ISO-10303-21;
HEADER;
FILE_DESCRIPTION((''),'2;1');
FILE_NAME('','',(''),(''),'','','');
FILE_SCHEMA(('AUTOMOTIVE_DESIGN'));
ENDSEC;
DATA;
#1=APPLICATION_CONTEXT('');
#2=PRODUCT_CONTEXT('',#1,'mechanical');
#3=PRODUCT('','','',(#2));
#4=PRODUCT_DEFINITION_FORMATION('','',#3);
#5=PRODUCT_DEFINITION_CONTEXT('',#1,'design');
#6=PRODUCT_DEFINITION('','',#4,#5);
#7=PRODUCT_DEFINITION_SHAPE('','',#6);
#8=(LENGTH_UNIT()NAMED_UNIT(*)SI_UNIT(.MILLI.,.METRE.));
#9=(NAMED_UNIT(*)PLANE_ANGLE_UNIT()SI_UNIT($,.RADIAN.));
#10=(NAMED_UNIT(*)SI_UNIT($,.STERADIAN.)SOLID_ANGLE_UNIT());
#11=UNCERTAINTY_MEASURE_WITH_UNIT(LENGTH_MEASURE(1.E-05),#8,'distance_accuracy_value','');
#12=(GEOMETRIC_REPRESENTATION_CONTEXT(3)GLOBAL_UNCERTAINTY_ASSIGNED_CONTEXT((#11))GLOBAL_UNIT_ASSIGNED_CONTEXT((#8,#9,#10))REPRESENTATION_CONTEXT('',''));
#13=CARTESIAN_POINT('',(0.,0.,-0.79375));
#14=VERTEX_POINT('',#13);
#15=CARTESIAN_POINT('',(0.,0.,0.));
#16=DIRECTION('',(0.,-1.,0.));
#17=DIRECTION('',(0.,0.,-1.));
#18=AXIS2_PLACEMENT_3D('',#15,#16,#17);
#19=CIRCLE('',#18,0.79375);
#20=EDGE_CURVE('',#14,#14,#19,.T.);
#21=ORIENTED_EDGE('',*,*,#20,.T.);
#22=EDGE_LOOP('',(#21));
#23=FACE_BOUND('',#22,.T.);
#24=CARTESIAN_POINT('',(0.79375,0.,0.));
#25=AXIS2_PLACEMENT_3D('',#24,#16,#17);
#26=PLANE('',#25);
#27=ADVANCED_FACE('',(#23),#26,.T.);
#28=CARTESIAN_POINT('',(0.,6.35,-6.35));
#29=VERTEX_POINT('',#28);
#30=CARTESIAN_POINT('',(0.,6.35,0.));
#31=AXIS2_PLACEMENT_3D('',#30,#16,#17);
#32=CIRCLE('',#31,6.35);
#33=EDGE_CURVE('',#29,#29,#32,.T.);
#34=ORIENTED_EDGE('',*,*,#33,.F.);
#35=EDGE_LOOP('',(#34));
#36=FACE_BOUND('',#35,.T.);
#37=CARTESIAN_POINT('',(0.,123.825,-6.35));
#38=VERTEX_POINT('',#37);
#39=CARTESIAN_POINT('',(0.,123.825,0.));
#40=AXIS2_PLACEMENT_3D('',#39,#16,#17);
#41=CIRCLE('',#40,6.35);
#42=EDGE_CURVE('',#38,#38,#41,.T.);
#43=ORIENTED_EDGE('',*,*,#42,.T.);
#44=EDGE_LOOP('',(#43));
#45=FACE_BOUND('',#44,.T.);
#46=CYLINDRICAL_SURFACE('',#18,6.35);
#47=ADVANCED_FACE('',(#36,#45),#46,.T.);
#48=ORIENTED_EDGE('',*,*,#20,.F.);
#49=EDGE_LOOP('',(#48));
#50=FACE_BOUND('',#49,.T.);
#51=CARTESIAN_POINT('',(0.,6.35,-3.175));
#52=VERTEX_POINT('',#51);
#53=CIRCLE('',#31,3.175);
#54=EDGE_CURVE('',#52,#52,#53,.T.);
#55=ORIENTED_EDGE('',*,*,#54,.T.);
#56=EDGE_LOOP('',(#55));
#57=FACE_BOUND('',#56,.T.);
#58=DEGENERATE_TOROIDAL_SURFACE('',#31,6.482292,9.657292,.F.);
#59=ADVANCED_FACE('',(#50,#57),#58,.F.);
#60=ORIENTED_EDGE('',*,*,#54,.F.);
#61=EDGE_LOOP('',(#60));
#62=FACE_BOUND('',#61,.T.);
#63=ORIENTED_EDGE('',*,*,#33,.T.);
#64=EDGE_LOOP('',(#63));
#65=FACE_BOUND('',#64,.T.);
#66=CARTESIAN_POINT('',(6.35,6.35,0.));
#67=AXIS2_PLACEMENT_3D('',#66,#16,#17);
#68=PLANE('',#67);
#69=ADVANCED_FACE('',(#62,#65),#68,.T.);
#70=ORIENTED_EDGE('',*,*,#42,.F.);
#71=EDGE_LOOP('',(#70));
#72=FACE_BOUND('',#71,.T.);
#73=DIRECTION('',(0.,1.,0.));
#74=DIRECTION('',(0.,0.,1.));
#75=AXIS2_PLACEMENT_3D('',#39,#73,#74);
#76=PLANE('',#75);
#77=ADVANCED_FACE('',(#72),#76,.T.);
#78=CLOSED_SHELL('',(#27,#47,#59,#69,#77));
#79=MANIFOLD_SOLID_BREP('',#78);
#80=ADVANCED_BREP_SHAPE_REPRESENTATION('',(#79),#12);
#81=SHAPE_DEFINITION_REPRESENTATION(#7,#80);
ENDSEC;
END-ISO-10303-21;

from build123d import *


with BuildPart() as part:
    # Sketch1 → Revolve1 (revolve)
    with BuildSketch(Plane.XY):
        with BuildLine():
            Line((0, 123.825), (6.35, 123.825))
            Line((6.35, 123.825), (6.35, 6.35))
            Line((6.35, 6.35), (3.175, 6.35))
            ThreePointArc((3.175, 6.35), (2.560112297, 2.959098514), (0.79375, 0))
            Line((0.79375, 0), (0, 0))
            Line((0, 0), (0, 123.825))
        make_face()
    revolve(axis=Axis((0, 0, 0), (0, 1, 0)))


solid = part.part
